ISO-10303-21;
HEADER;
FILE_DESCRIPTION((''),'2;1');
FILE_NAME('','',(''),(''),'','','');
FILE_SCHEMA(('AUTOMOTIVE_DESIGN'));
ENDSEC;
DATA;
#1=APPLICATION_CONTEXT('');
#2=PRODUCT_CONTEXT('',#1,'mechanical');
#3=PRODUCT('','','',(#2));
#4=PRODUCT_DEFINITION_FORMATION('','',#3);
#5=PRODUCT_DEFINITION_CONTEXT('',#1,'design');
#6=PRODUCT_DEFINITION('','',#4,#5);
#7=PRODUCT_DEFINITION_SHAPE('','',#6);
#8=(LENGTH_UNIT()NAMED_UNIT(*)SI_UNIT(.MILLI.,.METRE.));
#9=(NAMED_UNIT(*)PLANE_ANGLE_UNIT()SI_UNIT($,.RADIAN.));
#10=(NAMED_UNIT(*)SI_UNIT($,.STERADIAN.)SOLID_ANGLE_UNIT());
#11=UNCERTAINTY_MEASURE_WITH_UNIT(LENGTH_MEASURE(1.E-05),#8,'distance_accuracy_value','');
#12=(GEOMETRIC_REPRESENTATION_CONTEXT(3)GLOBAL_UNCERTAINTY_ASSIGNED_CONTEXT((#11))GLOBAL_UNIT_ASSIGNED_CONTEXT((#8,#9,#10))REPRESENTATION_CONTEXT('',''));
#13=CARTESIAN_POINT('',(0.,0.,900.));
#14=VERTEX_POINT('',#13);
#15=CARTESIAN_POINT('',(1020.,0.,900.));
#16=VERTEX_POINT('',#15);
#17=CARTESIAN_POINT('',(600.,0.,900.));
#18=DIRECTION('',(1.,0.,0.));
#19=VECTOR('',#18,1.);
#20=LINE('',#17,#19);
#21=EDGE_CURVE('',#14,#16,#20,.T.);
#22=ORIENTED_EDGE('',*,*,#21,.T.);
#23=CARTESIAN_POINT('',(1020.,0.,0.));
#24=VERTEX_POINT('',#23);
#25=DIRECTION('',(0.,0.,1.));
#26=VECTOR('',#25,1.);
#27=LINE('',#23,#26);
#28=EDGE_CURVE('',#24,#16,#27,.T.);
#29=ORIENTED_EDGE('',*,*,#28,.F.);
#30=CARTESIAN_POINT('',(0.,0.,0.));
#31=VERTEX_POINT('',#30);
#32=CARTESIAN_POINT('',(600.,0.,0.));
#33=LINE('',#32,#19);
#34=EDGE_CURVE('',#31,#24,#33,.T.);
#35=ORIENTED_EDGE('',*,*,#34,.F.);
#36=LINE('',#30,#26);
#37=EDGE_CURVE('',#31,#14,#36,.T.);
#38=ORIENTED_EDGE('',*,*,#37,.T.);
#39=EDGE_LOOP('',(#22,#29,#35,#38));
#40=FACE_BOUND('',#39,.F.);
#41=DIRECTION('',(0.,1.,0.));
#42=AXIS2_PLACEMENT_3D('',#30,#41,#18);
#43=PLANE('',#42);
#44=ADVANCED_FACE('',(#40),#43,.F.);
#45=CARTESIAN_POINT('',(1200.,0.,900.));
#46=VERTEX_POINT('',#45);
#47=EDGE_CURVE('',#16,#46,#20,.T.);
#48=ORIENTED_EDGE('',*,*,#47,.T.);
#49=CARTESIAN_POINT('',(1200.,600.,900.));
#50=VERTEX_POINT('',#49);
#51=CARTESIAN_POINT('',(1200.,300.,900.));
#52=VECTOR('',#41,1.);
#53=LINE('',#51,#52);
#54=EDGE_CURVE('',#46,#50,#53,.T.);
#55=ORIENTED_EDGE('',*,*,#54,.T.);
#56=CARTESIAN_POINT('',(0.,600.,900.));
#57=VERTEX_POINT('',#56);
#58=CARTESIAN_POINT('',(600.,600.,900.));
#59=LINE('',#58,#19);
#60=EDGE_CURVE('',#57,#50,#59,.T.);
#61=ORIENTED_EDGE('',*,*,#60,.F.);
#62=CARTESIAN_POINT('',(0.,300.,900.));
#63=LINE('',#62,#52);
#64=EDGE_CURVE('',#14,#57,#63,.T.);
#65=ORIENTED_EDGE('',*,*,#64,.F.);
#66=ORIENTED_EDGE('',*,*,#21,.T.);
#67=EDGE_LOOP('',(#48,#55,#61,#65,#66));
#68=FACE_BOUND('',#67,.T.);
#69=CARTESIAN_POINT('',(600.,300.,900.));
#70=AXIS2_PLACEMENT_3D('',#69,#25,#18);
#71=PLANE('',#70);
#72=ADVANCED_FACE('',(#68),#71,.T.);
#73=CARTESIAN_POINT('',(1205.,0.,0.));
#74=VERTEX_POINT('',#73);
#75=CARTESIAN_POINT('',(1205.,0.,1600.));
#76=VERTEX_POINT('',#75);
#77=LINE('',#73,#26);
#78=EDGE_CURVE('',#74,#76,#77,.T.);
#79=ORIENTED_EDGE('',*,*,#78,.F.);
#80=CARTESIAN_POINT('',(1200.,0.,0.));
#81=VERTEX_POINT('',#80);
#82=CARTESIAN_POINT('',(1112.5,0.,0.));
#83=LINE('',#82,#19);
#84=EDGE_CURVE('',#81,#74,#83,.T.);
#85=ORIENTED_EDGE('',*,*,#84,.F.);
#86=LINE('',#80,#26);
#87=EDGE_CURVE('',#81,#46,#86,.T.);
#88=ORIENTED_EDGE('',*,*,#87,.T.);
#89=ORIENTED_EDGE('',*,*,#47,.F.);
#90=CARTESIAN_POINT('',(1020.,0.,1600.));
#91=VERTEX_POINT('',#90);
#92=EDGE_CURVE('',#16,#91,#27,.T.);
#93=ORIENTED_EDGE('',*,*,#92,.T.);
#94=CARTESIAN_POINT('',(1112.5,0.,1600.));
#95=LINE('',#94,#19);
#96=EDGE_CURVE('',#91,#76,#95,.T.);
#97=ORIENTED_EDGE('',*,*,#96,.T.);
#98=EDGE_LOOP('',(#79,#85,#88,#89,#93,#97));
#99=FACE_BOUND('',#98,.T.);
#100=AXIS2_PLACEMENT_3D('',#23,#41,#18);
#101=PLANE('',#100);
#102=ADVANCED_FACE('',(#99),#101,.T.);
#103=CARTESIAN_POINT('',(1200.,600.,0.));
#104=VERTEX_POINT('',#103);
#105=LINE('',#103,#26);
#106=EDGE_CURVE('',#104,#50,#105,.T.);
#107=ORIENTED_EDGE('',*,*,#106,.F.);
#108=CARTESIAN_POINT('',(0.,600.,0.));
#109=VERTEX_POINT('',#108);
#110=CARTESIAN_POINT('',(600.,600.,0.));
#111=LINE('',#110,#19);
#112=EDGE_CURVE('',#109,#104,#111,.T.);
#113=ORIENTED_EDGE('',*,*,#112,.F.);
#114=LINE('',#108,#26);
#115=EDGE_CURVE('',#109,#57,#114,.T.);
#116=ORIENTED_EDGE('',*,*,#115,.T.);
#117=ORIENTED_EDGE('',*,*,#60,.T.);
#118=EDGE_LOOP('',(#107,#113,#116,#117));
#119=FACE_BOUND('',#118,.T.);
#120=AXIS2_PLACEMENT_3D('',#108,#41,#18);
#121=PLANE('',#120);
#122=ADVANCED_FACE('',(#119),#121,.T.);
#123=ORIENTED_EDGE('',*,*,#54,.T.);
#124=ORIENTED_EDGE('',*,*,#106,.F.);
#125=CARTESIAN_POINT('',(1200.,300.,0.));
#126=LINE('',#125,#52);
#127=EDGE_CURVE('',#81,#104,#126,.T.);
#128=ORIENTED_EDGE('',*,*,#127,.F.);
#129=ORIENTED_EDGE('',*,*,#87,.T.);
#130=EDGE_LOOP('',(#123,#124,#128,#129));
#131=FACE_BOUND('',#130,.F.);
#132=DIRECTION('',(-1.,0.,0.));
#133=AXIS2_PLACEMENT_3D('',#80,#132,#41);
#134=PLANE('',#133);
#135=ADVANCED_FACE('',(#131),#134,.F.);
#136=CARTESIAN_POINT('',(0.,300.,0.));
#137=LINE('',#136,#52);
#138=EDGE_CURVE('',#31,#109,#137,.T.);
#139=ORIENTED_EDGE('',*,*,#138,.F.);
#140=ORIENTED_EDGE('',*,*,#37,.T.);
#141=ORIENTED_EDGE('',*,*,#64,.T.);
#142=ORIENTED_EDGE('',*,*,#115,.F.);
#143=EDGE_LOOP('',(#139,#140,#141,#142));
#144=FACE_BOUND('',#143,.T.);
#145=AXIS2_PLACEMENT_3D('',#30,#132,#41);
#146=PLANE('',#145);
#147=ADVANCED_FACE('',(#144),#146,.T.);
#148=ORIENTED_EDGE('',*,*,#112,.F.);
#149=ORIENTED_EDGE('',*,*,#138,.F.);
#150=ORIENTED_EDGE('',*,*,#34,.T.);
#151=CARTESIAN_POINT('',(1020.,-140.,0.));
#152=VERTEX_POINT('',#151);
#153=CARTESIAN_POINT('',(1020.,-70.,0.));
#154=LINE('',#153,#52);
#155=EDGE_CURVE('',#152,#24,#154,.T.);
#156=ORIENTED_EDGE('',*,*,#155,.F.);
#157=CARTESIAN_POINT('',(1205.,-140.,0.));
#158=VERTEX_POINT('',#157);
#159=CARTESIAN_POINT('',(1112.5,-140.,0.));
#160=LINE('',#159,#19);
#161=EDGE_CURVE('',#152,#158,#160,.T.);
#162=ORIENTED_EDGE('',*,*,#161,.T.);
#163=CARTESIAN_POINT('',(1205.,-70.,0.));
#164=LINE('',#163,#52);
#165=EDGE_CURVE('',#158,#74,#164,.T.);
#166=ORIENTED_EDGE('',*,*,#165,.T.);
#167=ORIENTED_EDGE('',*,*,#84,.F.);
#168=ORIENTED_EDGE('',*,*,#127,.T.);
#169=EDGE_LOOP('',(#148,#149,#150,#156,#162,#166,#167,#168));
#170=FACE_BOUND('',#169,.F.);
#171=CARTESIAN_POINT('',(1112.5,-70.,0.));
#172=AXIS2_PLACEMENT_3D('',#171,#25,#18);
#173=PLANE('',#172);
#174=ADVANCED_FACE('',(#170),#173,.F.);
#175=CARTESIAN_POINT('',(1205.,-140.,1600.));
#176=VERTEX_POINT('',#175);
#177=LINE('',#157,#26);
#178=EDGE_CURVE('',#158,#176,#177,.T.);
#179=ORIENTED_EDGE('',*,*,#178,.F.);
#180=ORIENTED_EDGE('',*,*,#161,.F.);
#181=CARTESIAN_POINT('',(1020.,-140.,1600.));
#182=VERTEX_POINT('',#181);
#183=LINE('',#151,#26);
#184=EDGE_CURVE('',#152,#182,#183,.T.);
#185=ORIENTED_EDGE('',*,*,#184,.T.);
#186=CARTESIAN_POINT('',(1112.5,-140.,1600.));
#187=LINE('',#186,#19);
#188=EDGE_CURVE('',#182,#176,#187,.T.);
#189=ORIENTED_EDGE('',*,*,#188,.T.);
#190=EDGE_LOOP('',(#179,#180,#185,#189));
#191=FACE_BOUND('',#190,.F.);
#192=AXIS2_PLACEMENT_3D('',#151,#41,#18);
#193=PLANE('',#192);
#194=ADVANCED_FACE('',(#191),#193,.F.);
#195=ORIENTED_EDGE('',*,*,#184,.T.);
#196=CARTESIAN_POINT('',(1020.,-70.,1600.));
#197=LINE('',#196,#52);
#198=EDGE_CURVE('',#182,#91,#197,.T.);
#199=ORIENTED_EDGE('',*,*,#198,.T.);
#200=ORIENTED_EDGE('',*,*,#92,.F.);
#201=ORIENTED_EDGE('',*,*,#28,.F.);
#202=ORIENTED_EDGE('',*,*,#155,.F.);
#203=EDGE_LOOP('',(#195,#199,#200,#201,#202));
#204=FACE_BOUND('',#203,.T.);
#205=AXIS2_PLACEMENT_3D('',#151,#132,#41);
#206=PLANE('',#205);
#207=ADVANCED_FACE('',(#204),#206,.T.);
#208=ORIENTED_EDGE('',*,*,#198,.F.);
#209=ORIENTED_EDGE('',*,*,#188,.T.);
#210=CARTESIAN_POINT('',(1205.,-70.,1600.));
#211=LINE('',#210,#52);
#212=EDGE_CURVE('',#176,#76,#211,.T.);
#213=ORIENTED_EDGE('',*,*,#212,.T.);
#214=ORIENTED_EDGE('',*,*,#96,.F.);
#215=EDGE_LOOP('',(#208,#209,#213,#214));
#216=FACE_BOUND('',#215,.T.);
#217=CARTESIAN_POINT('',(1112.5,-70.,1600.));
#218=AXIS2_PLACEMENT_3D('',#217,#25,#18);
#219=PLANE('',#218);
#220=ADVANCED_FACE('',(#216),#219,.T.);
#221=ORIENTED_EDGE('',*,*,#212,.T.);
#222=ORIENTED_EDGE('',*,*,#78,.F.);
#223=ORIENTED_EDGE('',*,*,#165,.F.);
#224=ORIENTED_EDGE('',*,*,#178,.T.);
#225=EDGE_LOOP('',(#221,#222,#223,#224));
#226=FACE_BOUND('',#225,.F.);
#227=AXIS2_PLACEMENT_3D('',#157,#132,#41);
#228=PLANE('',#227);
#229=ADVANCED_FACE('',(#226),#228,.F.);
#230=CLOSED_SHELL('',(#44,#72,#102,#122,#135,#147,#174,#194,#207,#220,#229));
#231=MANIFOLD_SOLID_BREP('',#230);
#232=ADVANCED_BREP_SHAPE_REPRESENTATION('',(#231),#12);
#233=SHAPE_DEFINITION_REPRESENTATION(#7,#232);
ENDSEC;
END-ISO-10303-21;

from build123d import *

# Parameters (mm, degrees)
F0_W     = 1200
F0_H     = 600
F1_DEPTH = 900
F2_W     = 185
F2_H     = 140
F3_DEPTH = 1600


with BuildPart() as f1:
    # F0 (on Top) → F1 (new body)
    with BuildSketch(Plane.XY):
        with Locations((600, 300)):
            Rectangle(F0_W, F0_H)
    extrude(amount=F1_DEPTH)

    # F2 (on Top) → F3 (join)
    with BuildSketch(Plane.XY):
        with Locations((1112.5, -70)):
            Rectangle(F2_W, F2_H)
    extrude(amount=F3_DEPTH)


solid = f1.part
